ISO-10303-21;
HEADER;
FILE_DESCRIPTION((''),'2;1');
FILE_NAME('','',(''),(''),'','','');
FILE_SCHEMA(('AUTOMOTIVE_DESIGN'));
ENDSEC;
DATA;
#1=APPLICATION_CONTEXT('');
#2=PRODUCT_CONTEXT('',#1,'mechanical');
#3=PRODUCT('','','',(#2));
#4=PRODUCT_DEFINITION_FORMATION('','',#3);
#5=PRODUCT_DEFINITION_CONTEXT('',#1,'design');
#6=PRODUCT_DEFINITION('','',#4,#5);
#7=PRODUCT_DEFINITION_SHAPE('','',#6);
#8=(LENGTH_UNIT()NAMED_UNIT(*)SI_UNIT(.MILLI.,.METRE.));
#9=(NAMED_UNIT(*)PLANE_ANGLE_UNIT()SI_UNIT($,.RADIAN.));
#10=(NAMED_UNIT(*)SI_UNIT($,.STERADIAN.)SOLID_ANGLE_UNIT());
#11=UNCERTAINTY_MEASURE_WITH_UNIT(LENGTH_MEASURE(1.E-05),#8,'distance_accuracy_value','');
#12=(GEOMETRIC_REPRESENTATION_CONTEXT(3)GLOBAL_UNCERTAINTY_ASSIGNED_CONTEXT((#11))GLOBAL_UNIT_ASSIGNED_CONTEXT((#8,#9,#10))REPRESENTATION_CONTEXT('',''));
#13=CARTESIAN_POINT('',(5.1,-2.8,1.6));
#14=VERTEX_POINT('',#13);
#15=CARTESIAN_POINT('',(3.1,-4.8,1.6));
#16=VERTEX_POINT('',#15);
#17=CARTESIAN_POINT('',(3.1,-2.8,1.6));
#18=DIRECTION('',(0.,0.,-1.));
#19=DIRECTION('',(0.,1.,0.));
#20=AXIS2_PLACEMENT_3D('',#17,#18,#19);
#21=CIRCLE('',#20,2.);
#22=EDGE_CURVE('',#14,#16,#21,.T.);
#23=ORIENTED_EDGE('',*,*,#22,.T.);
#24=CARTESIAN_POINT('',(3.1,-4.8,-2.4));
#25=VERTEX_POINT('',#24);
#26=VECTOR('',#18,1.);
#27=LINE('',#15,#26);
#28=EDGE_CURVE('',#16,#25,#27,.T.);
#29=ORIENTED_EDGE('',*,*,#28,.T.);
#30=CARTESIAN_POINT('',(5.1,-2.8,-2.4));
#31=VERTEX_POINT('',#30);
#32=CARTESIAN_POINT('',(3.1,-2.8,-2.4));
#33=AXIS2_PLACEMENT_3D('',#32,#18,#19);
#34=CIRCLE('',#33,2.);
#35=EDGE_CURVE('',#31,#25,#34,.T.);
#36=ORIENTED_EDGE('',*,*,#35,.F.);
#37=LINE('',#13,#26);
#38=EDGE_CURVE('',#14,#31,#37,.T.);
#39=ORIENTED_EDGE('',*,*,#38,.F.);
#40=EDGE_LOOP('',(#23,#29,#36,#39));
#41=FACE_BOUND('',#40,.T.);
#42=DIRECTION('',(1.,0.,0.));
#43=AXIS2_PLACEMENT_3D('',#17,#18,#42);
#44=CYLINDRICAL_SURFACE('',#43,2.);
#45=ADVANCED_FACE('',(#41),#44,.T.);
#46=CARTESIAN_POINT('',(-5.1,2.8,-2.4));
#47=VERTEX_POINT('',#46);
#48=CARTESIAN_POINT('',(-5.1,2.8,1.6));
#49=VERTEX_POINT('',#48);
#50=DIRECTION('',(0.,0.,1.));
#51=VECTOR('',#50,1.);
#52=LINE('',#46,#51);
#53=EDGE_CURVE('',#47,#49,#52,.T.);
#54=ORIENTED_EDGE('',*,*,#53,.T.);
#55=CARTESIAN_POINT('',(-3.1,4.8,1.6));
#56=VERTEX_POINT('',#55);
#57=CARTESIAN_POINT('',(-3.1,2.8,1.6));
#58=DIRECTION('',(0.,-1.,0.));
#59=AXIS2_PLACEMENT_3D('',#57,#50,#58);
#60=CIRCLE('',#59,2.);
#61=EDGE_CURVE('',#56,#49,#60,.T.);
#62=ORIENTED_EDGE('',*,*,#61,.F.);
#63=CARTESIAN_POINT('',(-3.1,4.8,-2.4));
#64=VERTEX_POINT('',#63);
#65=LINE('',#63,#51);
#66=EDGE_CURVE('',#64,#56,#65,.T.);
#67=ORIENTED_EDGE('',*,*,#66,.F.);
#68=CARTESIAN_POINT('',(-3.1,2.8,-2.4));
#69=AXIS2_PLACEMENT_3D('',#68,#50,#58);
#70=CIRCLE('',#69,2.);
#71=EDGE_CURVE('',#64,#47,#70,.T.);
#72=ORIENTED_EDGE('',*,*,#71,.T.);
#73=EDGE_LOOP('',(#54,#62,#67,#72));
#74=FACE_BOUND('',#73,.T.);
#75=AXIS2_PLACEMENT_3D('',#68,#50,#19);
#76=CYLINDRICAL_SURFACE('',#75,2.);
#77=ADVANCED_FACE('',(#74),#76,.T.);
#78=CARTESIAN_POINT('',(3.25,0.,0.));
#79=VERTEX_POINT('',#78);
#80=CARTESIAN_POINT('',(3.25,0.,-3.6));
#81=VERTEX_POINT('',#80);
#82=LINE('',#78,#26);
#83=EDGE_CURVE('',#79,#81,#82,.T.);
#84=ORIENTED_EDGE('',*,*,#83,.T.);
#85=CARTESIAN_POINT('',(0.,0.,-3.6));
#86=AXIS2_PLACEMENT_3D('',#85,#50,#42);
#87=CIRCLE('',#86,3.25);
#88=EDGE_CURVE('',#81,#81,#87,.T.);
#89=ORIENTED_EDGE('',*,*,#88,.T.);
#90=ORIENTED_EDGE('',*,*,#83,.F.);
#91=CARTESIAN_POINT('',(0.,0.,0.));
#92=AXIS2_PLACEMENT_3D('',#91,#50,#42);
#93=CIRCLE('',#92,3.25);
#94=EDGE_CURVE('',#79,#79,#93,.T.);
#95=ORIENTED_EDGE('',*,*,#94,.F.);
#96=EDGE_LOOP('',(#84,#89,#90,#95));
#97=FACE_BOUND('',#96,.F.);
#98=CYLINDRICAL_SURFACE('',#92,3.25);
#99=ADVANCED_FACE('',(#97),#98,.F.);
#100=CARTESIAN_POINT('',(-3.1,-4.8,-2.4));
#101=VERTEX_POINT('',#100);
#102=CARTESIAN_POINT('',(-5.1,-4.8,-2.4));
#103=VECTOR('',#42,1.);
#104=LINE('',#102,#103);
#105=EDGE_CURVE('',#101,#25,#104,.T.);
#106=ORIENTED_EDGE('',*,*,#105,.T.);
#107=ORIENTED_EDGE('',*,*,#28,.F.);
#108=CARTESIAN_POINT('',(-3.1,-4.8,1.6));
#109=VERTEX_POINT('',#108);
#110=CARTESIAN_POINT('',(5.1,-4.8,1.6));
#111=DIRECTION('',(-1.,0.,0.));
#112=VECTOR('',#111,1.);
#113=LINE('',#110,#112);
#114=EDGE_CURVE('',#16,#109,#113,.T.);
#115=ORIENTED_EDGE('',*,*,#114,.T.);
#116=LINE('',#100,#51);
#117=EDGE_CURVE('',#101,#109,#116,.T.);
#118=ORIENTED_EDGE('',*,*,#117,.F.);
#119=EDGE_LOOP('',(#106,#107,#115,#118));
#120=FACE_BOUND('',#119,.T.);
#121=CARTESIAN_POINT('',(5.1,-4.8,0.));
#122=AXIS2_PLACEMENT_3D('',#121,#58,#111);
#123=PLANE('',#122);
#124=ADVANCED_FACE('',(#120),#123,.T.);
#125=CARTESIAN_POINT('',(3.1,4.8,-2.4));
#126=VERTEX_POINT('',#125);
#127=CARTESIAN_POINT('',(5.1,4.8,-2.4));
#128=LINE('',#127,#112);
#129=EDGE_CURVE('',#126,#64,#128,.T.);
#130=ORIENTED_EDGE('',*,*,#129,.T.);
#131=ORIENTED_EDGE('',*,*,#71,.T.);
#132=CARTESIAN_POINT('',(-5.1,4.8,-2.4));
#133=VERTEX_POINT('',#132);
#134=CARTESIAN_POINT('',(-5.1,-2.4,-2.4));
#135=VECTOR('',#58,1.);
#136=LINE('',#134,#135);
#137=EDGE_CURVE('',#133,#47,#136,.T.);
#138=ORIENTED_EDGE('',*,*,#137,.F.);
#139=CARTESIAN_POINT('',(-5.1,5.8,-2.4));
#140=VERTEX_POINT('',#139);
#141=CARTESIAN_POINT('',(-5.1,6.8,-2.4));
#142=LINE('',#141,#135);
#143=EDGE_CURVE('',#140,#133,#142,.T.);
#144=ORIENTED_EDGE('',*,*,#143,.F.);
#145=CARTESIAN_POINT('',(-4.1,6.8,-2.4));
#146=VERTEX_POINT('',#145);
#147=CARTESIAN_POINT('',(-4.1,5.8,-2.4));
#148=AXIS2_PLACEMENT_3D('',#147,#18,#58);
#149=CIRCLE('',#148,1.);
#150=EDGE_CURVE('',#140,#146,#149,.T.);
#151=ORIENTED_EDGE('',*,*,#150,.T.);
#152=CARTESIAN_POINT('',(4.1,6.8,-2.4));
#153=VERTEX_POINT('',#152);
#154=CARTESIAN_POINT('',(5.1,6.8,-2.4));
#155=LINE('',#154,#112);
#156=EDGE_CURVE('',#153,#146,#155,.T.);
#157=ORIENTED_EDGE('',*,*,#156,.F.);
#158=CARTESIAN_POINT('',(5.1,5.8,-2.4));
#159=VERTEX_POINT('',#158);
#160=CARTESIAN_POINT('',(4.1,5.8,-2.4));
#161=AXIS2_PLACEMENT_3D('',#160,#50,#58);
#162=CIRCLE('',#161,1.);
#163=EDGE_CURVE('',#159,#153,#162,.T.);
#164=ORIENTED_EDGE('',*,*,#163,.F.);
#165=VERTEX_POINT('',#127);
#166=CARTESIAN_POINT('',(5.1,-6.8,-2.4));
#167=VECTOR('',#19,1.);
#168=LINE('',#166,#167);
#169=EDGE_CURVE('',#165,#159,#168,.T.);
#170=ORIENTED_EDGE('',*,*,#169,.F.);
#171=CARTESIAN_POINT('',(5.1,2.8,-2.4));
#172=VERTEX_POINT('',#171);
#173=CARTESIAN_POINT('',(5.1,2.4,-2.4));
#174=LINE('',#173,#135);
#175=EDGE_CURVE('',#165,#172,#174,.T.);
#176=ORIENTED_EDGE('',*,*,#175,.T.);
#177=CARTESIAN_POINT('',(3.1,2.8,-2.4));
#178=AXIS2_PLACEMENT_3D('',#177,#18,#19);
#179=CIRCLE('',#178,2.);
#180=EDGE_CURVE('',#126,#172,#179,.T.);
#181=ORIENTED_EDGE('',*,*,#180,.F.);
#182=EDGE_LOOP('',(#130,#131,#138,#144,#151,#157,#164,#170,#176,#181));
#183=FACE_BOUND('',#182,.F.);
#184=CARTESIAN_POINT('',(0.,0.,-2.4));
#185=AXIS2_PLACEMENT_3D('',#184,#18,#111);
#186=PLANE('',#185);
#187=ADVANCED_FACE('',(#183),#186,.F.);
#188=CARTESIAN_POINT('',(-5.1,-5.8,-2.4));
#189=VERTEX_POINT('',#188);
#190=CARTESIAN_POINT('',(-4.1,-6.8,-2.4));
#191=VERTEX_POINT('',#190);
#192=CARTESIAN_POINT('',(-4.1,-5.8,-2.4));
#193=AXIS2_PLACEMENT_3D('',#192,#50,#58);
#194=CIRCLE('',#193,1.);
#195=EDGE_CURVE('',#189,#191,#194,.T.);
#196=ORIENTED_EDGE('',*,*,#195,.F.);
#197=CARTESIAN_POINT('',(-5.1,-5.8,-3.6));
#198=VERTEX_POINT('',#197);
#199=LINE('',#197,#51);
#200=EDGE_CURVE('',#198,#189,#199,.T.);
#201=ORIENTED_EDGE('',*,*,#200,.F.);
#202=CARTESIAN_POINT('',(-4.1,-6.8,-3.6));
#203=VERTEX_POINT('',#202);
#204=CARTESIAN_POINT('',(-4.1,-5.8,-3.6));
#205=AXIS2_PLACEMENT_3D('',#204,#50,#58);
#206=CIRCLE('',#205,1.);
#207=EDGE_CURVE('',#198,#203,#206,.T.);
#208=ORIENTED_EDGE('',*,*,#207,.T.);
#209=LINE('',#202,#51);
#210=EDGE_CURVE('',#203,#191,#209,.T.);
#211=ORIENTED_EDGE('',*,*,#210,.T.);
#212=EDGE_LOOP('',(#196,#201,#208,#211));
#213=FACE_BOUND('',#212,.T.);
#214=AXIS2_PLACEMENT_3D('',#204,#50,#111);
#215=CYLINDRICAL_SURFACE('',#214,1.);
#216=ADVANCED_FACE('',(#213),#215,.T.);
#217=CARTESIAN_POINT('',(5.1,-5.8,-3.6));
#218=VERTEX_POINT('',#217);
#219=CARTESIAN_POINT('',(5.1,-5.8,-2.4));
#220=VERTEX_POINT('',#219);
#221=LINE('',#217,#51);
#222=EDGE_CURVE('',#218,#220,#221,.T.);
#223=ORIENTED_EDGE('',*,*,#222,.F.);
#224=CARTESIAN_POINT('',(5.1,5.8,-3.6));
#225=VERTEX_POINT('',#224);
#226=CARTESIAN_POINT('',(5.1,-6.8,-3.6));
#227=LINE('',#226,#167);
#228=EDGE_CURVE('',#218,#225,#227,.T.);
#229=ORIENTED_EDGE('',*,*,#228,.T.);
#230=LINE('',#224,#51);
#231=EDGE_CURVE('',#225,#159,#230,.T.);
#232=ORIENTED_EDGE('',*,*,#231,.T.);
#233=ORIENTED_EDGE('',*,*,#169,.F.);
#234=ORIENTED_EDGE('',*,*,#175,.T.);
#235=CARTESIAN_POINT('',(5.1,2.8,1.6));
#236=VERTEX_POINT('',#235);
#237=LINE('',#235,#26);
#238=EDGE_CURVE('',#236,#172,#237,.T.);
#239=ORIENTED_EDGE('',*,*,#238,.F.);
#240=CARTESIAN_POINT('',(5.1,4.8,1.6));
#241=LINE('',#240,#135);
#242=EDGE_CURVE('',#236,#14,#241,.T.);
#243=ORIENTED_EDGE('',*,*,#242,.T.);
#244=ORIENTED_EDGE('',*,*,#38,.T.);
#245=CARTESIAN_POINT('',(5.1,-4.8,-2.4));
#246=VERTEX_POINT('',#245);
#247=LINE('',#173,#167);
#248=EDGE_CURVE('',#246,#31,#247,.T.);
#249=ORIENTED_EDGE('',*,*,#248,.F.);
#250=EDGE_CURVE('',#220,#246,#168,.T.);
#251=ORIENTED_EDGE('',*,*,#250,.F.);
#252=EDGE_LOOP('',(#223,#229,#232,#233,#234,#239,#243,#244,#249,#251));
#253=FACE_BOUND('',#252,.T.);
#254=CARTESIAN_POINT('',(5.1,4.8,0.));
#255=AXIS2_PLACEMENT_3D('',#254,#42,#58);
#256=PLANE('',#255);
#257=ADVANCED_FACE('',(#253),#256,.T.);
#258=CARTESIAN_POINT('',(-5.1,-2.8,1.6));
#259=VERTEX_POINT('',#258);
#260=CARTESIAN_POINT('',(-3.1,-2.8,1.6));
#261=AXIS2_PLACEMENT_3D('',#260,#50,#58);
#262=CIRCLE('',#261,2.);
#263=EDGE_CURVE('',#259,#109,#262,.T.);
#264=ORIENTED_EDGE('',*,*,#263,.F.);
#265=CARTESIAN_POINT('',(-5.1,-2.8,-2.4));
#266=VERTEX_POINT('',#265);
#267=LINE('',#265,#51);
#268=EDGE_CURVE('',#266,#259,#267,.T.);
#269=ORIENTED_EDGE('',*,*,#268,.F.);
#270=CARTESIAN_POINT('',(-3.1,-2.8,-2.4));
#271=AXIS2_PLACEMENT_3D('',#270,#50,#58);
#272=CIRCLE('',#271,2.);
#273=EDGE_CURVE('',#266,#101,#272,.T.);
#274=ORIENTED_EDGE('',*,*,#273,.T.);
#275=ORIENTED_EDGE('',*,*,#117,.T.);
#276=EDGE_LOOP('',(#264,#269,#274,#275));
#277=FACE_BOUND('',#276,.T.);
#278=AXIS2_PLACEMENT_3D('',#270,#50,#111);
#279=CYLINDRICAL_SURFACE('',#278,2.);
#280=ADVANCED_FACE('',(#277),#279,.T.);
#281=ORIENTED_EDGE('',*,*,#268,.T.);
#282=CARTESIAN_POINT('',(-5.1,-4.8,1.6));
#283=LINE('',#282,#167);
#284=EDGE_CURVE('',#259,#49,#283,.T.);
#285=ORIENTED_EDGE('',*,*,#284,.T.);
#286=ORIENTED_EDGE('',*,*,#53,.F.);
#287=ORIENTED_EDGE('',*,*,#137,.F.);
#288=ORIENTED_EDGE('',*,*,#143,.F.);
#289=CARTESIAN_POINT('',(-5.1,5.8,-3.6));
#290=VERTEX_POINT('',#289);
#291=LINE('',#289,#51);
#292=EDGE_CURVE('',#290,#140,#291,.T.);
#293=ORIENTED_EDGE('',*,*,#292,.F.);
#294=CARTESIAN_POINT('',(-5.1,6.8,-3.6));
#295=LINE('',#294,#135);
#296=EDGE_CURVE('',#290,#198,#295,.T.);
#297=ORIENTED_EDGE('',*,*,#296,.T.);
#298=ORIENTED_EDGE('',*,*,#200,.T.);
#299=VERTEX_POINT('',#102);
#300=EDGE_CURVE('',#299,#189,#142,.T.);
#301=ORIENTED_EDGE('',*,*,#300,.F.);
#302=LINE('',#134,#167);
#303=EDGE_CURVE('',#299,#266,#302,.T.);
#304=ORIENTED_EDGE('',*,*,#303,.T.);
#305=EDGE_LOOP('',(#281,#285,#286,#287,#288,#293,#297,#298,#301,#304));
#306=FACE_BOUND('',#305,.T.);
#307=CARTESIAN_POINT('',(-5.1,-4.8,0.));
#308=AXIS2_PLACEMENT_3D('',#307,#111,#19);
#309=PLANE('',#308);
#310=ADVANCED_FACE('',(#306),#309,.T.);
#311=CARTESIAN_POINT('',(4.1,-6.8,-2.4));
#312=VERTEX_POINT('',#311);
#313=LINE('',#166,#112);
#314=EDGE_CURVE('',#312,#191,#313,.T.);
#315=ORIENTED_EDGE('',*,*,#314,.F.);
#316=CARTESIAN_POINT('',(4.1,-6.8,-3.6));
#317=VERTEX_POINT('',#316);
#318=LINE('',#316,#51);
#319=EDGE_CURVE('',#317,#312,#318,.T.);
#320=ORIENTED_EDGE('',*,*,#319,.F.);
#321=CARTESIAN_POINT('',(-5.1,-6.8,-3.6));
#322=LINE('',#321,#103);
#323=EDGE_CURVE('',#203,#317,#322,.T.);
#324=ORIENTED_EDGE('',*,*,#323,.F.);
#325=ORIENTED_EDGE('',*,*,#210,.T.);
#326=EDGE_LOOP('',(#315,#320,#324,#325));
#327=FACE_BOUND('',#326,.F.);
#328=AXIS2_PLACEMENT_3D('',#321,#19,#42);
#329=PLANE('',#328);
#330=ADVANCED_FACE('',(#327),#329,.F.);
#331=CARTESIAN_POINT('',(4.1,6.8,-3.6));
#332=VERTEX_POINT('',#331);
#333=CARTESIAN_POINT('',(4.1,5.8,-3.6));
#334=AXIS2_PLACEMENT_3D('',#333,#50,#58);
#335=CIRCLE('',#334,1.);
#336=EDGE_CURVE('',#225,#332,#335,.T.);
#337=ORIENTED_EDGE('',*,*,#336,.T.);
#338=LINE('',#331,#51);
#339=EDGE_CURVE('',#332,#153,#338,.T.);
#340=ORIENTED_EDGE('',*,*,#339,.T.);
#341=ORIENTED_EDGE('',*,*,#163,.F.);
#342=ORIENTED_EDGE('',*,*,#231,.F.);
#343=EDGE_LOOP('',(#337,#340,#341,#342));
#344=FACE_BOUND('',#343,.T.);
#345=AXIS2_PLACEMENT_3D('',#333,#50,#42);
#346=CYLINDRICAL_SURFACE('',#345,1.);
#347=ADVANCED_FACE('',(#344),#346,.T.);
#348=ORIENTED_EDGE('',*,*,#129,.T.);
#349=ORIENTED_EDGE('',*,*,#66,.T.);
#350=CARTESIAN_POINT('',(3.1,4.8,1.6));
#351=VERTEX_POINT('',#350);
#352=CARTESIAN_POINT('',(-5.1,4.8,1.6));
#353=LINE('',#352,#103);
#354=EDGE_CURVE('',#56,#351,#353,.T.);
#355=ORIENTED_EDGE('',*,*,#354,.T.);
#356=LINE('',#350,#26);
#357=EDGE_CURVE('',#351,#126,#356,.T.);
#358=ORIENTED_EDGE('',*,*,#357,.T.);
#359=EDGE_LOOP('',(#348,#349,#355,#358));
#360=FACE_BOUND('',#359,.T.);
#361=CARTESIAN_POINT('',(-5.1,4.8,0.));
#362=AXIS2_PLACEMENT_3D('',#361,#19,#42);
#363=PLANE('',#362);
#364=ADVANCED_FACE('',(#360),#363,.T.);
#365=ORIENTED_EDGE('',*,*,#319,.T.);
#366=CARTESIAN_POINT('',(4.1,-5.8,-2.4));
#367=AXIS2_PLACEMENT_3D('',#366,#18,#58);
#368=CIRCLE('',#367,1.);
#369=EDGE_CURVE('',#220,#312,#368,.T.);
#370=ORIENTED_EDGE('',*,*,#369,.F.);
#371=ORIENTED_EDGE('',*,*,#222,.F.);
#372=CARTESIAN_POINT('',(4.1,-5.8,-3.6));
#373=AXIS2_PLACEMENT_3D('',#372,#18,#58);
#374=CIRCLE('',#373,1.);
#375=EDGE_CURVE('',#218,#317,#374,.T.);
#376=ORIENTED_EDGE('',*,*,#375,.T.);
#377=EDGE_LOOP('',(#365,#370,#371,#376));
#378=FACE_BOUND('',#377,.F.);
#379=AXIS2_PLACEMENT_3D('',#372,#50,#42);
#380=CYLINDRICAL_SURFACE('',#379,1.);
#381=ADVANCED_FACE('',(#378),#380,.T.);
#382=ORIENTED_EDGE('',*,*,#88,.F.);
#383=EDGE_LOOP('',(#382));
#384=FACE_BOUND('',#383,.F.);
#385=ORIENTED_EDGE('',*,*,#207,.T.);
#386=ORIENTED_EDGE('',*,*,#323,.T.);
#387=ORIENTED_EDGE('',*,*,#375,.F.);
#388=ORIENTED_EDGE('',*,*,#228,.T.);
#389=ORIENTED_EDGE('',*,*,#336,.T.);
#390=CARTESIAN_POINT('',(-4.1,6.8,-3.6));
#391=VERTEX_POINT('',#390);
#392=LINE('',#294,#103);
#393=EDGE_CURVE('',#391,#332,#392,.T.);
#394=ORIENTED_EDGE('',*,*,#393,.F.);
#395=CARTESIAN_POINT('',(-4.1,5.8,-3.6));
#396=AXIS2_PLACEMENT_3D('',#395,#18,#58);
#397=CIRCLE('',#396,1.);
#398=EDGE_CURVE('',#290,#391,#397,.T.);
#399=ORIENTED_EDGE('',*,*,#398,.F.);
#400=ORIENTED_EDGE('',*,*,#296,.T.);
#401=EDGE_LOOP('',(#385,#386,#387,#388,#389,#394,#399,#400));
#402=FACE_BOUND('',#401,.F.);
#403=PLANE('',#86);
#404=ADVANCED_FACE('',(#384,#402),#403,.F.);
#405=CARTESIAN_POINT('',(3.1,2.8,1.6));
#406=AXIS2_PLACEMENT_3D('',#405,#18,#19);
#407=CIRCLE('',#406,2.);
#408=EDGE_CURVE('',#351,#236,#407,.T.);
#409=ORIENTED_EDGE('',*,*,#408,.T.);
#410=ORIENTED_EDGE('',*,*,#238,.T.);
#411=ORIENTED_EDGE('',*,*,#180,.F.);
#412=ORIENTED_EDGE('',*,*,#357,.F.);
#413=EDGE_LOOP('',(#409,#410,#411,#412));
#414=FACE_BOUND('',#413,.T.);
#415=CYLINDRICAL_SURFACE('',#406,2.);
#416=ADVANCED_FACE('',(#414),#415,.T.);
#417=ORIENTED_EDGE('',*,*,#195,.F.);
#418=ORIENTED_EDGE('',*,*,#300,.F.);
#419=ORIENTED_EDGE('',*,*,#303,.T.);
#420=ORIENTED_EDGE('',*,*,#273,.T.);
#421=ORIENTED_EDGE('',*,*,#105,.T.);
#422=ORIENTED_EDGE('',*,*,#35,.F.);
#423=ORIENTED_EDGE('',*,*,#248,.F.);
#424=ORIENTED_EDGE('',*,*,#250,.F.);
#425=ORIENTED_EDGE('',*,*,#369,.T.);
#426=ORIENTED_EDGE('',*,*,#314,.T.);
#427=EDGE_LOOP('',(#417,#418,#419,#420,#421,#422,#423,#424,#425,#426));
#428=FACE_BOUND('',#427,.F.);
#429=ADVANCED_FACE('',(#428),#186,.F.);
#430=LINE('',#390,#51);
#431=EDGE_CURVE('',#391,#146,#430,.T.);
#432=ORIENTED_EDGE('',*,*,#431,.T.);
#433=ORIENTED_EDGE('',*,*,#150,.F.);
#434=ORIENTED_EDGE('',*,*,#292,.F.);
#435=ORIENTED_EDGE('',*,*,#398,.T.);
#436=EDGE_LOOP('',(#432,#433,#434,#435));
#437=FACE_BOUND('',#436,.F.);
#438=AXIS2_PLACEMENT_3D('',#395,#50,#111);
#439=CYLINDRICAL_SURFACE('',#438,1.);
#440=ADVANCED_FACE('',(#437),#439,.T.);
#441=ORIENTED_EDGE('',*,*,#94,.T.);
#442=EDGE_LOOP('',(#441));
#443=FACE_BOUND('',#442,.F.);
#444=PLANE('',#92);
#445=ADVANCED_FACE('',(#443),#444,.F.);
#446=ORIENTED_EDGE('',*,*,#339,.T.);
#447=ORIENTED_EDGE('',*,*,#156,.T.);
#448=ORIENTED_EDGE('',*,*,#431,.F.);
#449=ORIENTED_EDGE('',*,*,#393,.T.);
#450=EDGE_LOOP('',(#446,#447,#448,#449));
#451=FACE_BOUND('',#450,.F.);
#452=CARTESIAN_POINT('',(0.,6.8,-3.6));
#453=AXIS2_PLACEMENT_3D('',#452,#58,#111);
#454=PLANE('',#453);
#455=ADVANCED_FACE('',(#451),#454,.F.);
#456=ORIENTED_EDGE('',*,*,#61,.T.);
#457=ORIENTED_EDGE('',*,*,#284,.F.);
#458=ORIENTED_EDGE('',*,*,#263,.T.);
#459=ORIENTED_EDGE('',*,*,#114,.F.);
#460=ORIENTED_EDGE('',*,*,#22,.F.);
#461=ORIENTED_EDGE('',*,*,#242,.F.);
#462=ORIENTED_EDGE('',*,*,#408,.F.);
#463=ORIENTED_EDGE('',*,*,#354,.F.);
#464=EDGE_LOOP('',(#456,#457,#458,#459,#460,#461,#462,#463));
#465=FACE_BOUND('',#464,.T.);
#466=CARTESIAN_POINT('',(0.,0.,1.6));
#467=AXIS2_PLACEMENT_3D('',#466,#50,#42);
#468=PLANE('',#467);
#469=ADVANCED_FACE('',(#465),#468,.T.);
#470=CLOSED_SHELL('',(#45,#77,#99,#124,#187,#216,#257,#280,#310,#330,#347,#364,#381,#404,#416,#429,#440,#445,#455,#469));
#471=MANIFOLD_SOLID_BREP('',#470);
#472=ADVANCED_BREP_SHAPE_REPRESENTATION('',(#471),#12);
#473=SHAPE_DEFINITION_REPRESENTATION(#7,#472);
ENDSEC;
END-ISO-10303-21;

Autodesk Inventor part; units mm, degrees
sketch "スケッチ1" plane through (0, 0, 0) normal (0, 0, 1) x (1, 0, 0)
  line L0 (-5.1, 4.8) -> (5.1, 4.8)
  line L1 (5.1, 4.8) -> (5.1, -4.8)
  line L2 (5.1, -4.8) -> (-5.1, -4.8)
  line L3 (-5.1, -4.8) -> (-5.1, 4.8)
  point P0 (0, 0)
  dimension "d0" = 4.8
  dimension "d1" = 4.8
  dimension "d2" = 5.1
  dimension "d3" = 5.1
extrude "押し出し1" add sketch "スケッチ1" along normal blind 1.6 and the other way blind 3.6
sketch "スケッチ2" plane through (0, 0, -3.6) normal (0, 0, -1) x (-1, 0, 0)
  line L0 (5.1, 4.8) -> (-5.1, 4.8) projected
  line L1 (-5.1, 4.8) -> (-5.1, -4.8) projected
  line L2 (-5.1, -4.8) -> (5.1, -4.8) projected
  line L3 (5.1, -4.8) -> (5.1, 4.8) projected
  line L4 (5.1, -6.8) -> (-5.1, -6.8)
  line L5 (-5.1, -6.8) -> (-5.1, 6.8)
  line L6 (-5.1, 6.8) -> (5.1, 6.8)
  line L7 (5.1, 6.8) -> (5.1, -6.8)
  line L8 (0, -9.52) -> (0, 9.52) projected
  point P0 (0, 0)
  dimension "d8" = 2
  dimension "d24" = 5.1
  dimension "d30" = 5.1
extrude "押し出し2" add sketch "スケッチ2" against normal blind 1.2 contours L0 L8 L6 L7 | L0 L5 L6 L8 | L7 L4 L8 L2 | L8 L4 L5 L2
sketch "スケッチ3" plane through (0, 0, 0) normal (0, 0, 1) x (1, 0, 0)
  line L0 (5.1, 4.8) -> (-5.1, 4.8) projected
  line L1 (-5.1, 4.8) -> (-5.1, -4.8) projected
  line L2 (-5.1, -4.8) -> (5.1, -4.8) projected
  line L3 (5.1, -4.8) -> (5.1, 4.8) projected
  circle A0 centre (0, 0) radius 3.25
  dimension "d28" = 6.5
extrude "押し出し3" cut sketch "スケッチ3" against normal through all contours A0
fillet "フィレット2" radius 2 4 edges at (5.1, -4.8, -0.4) (5.1, 4.8, -0.4) (-5.1, 4.8, -0.4) (-5.1, -4.8, -0.4)
fillet "フィレット3" radius 1 4 edges at (5.1, -6.8, -3) (-5.1, -6.8, -3) (5.1, 6.8, -3) (-5.1, 6.8, -3)
properties part number "HbBatteryLockKnob01"
